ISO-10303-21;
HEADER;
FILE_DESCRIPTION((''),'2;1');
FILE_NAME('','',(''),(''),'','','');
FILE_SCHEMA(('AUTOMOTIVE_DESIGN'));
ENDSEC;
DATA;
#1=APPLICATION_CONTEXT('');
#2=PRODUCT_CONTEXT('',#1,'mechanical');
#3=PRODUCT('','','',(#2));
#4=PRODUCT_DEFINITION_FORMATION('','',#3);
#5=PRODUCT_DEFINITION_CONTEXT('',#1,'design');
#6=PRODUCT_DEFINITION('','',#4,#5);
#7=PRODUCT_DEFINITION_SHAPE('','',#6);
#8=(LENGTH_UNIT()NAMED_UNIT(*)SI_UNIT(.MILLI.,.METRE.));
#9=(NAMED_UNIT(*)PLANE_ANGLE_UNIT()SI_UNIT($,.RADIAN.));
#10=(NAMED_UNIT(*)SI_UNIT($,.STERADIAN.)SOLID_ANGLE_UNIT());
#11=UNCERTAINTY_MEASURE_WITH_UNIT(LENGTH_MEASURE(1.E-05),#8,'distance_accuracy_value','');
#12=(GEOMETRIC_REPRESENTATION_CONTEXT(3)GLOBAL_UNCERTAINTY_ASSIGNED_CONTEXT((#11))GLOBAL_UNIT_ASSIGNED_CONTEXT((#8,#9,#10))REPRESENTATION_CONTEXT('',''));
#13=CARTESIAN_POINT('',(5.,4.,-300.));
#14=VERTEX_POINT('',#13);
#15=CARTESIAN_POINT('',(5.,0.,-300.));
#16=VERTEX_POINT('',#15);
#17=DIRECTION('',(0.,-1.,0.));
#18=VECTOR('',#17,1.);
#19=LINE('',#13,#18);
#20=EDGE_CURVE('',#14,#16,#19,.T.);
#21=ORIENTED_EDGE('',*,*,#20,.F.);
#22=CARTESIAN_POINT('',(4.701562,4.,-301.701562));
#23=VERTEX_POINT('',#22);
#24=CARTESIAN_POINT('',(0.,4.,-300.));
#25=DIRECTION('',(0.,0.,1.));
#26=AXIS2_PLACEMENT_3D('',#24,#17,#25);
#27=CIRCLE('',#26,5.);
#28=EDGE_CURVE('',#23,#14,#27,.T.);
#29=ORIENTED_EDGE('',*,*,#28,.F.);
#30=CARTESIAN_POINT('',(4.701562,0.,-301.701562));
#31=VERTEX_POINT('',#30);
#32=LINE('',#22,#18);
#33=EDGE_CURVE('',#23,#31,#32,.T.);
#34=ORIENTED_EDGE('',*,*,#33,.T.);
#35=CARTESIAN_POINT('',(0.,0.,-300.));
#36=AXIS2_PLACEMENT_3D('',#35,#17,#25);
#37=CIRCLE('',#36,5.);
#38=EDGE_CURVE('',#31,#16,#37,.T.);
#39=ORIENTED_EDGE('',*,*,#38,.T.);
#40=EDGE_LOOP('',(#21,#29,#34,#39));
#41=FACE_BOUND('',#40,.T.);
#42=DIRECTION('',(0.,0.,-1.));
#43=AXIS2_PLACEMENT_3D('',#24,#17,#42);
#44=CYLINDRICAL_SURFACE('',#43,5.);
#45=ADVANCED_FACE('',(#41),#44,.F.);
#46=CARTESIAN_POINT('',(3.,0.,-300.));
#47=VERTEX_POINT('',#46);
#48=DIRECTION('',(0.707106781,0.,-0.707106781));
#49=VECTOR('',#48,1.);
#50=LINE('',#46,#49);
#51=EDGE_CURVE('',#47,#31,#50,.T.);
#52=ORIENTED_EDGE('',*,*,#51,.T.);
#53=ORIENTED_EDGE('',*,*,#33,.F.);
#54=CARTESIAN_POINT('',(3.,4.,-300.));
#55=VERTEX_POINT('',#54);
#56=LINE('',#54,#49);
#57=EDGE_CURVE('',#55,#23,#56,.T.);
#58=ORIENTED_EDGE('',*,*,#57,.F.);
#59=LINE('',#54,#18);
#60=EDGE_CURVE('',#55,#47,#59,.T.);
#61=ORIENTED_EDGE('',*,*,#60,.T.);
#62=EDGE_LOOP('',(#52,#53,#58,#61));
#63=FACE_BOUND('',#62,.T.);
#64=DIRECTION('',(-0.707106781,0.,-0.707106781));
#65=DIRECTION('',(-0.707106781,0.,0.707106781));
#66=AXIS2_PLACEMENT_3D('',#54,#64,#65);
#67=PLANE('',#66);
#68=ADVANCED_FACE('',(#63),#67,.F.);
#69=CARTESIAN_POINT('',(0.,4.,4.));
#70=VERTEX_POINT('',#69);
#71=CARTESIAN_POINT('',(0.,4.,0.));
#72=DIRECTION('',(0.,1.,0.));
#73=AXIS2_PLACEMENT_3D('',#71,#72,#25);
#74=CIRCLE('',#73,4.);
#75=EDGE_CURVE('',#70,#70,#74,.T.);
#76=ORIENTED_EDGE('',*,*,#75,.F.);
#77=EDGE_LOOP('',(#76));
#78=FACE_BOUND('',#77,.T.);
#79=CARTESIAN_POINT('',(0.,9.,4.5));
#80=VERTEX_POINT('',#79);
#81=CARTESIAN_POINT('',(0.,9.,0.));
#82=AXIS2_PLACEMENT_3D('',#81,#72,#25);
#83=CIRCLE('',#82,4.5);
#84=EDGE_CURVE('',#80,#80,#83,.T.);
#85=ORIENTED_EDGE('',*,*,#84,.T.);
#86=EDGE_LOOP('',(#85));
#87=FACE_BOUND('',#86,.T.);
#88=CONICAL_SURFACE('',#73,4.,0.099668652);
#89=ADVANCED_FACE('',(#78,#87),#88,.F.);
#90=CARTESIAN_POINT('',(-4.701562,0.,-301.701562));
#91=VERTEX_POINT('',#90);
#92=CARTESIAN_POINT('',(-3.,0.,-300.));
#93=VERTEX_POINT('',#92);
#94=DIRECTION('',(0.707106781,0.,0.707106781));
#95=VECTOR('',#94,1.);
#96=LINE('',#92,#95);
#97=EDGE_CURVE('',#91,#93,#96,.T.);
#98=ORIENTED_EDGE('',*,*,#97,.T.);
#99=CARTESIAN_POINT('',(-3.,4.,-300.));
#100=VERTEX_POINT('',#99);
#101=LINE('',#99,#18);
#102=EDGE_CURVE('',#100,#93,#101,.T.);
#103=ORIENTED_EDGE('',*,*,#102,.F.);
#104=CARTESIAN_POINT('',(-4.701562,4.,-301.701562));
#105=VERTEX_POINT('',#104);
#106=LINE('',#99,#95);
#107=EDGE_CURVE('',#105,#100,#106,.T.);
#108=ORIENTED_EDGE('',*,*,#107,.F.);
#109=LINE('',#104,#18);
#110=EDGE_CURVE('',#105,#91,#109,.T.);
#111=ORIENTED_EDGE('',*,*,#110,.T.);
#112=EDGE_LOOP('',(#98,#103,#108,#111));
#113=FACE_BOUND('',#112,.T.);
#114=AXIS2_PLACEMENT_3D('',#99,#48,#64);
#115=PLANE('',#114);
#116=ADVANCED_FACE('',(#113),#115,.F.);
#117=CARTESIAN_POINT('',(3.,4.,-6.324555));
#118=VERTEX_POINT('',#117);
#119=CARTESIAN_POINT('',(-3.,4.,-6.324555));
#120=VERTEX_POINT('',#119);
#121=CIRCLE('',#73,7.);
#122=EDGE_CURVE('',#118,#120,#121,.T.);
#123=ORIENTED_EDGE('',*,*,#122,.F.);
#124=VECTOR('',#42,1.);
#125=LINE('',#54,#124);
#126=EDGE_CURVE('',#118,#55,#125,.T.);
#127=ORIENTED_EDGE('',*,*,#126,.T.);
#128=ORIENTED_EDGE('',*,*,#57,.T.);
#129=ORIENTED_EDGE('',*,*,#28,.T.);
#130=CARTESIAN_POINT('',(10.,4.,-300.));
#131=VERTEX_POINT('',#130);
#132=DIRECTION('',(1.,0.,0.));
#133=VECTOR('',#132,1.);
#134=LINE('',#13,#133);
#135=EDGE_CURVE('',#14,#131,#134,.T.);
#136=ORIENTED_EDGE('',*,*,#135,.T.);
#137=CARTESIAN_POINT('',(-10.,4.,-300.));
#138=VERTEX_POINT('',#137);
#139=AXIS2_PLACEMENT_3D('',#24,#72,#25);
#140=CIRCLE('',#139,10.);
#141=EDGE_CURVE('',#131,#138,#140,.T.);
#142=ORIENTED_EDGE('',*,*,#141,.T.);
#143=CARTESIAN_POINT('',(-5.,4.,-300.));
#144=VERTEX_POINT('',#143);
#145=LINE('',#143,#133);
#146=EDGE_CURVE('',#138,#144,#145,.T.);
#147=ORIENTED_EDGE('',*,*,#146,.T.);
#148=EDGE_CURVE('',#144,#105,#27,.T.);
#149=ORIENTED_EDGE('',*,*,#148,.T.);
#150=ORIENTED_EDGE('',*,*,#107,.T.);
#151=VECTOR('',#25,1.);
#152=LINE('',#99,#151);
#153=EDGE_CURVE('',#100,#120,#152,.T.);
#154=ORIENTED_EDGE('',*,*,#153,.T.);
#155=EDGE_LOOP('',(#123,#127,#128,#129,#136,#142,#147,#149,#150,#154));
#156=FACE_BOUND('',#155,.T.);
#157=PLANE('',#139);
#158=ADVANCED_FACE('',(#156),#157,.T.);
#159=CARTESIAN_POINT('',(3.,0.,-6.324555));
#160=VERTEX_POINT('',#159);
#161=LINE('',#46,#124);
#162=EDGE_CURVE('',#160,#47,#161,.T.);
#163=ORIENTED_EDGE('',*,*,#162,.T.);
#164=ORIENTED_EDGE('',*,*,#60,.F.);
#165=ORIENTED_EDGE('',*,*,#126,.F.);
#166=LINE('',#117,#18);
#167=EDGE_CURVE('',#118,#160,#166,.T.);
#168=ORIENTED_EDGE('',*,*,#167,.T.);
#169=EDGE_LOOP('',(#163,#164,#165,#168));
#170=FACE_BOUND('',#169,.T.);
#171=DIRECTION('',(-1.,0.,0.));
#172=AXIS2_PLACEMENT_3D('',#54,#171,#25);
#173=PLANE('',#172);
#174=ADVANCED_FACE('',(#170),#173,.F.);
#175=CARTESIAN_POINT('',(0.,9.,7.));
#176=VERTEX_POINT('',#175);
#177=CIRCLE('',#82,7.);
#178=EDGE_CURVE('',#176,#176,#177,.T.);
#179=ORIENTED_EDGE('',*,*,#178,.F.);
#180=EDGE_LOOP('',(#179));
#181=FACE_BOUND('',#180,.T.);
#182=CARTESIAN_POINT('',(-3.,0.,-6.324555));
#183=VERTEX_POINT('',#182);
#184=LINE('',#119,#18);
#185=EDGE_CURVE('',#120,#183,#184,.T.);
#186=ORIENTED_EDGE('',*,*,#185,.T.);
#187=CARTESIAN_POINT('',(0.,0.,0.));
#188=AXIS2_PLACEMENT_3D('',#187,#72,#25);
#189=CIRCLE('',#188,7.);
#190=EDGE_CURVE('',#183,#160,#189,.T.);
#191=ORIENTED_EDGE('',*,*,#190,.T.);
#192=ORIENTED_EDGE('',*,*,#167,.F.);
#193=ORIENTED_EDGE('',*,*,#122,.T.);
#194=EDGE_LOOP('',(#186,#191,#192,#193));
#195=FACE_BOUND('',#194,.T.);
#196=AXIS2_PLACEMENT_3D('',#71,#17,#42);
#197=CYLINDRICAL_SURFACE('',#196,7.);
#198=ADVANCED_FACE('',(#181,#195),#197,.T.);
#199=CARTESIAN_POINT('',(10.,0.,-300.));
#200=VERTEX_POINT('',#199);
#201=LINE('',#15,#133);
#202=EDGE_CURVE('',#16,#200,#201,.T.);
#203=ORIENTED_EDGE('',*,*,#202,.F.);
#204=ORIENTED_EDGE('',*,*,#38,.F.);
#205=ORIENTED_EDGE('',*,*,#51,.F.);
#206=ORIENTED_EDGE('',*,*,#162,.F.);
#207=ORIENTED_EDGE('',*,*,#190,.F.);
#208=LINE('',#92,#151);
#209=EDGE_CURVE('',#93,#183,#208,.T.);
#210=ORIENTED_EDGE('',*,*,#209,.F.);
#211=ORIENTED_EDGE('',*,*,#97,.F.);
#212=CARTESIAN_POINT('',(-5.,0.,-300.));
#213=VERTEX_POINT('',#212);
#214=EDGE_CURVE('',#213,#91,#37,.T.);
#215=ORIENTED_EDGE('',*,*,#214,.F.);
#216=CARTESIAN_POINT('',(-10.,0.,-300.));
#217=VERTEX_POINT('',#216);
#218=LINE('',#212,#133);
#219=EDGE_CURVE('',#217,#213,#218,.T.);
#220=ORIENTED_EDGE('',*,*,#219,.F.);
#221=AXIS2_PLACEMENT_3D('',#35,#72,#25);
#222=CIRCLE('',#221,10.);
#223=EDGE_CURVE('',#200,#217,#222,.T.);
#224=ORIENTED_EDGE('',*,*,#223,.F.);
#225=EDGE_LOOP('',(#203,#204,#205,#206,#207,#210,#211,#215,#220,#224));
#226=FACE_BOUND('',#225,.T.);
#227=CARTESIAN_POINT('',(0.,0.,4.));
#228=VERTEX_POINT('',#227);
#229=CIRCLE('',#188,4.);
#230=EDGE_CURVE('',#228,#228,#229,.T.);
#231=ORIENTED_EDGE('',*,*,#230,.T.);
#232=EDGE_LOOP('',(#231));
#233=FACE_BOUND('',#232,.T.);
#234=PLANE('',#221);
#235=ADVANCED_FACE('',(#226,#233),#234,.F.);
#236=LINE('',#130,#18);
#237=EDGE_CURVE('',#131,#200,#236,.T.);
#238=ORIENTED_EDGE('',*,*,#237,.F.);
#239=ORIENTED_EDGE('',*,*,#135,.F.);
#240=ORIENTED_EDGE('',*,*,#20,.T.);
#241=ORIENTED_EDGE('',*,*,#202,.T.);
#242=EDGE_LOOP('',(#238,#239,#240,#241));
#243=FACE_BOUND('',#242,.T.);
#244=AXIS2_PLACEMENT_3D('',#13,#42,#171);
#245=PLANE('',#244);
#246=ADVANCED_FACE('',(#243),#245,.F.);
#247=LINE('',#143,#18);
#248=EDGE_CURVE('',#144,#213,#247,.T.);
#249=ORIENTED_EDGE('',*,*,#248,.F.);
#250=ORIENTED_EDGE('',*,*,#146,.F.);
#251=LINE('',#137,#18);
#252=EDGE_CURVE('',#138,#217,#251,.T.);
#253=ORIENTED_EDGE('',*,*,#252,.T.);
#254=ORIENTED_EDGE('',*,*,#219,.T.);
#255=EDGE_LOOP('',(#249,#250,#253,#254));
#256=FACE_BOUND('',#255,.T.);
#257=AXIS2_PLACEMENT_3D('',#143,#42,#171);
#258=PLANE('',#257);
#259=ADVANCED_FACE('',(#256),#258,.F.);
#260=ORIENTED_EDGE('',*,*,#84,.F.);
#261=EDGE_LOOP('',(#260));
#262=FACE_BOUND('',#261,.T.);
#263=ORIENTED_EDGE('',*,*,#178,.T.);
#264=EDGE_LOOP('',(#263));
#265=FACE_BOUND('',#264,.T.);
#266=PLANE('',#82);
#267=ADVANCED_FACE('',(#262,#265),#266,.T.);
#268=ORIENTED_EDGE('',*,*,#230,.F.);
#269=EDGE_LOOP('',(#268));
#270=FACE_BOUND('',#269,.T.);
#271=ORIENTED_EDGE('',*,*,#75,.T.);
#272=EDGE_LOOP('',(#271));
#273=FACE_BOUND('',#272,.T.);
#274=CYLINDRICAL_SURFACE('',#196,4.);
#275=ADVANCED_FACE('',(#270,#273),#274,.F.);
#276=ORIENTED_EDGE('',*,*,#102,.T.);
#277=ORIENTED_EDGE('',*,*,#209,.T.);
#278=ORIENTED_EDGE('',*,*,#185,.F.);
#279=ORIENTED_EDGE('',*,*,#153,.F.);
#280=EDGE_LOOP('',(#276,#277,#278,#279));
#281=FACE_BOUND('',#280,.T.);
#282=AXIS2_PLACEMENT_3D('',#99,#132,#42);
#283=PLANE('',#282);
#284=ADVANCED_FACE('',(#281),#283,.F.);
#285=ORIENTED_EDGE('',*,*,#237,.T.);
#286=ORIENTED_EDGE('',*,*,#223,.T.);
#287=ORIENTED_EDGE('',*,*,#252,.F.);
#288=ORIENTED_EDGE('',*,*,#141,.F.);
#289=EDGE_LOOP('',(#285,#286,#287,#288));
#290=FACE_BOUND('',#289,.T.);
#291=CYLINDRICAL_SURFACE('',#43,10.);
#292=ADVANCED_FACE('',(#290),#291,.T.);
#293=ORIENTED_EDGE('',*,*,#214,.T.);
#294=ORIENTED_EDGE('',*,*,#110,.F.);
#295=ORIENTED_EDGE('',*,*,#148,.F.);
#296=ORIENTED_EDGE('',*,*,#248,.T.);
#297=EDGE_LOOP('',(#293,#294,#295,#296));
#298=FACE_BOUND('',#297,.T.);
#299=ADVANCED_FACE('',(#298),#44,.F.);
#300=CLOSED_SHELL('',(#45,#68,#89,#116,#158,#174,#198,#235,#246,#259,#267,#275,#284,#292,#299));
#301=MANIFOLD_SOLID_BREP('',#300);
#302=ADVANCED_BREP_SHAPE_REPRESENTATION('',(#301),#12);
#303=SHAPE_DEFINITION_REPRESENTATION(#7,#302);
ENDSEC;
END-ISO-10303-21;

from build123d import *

# Parameters (mm, degrees)
SKETCH1_R           = 4
BOSS_EXTRUDE1_DEPTH = 4
SKETCH4_R           = 7
BOSS_EXTRUDE2_DEPTH = 5
SKETCH2_R           = 4.5
SKETCH3_R           = 4


with BuildPart() as part:
    # Sketch1 → Boss-Extrude1 (new body)
    with BuildSketch(Plane(origin=(0, 0, 0), x_dir=(1, 0, 0), z_dir=(0, 1, 0))):
        with BuildLine():
            Line((-3, 300), (-3, 6.32455532))
            ThreePointArc((-3, 6.32455532), (0, -7), (3, 6.32455532))
            Line((3, 6.32455532), (3, 300))
            Line((3, 300), (4.701562119, 301.701562119))
            ThreePointArc((4.701562119, 301.701562119), (4.924825408, 300.863767737), (5, 300))
            Line((5, 300), (10, 300))
            ThreePointArc((10, 300), (0, 310), (-10, 300))
            Line((-10, 300), (-5, 300))
            ThreePointArc((-5, 300), (-4.924825408, 300.863767737), (-4.701562119, 301.701562119))
            Line((-4.701562119, 301.701562119), (-3, 300))
        make_face()
        with Locations(Location((0, 0, 0), (0, 0, 270))):
            Circle(SKETCH1_R, mode=Mode.SUBTRACT)
    extrude(amount=BOSS_EXTRUDE1_DEPTH)

    # Sketch4 → Boss-Extrude2 (add)
    with BuildSketch(Plane(origin=(0, 4, 0), x_dir=(1, 0, 0), z_dir=(0, 1, 0))):
        with Locations(Location((0, 0, 0), (0, 0, 64.623066475))):
            Circle(SKETCH4_R)
    extrude(amount=BOSS_EXTRUDE2_DEPTH)

    # Sketch2 → Cut-Loft1 section 0
    with BuildSketch(Plane(origin=(0, 9, 0), x_dir=(1, 0, 0), z_dir=(0, 1, 0))):
        Circle(SKETCH2_R)
    # Sketch3 → Cut-Loft1 section 1
    with BuildSketch(Plane(origin=(0, 4, 0), x_dir=(1, 0, 0), z_dir=(0, 1, 0))):
        Circle(SKETCH3_R)
    loft(mode=Mode.SUBTRACT)


solid = part.part
